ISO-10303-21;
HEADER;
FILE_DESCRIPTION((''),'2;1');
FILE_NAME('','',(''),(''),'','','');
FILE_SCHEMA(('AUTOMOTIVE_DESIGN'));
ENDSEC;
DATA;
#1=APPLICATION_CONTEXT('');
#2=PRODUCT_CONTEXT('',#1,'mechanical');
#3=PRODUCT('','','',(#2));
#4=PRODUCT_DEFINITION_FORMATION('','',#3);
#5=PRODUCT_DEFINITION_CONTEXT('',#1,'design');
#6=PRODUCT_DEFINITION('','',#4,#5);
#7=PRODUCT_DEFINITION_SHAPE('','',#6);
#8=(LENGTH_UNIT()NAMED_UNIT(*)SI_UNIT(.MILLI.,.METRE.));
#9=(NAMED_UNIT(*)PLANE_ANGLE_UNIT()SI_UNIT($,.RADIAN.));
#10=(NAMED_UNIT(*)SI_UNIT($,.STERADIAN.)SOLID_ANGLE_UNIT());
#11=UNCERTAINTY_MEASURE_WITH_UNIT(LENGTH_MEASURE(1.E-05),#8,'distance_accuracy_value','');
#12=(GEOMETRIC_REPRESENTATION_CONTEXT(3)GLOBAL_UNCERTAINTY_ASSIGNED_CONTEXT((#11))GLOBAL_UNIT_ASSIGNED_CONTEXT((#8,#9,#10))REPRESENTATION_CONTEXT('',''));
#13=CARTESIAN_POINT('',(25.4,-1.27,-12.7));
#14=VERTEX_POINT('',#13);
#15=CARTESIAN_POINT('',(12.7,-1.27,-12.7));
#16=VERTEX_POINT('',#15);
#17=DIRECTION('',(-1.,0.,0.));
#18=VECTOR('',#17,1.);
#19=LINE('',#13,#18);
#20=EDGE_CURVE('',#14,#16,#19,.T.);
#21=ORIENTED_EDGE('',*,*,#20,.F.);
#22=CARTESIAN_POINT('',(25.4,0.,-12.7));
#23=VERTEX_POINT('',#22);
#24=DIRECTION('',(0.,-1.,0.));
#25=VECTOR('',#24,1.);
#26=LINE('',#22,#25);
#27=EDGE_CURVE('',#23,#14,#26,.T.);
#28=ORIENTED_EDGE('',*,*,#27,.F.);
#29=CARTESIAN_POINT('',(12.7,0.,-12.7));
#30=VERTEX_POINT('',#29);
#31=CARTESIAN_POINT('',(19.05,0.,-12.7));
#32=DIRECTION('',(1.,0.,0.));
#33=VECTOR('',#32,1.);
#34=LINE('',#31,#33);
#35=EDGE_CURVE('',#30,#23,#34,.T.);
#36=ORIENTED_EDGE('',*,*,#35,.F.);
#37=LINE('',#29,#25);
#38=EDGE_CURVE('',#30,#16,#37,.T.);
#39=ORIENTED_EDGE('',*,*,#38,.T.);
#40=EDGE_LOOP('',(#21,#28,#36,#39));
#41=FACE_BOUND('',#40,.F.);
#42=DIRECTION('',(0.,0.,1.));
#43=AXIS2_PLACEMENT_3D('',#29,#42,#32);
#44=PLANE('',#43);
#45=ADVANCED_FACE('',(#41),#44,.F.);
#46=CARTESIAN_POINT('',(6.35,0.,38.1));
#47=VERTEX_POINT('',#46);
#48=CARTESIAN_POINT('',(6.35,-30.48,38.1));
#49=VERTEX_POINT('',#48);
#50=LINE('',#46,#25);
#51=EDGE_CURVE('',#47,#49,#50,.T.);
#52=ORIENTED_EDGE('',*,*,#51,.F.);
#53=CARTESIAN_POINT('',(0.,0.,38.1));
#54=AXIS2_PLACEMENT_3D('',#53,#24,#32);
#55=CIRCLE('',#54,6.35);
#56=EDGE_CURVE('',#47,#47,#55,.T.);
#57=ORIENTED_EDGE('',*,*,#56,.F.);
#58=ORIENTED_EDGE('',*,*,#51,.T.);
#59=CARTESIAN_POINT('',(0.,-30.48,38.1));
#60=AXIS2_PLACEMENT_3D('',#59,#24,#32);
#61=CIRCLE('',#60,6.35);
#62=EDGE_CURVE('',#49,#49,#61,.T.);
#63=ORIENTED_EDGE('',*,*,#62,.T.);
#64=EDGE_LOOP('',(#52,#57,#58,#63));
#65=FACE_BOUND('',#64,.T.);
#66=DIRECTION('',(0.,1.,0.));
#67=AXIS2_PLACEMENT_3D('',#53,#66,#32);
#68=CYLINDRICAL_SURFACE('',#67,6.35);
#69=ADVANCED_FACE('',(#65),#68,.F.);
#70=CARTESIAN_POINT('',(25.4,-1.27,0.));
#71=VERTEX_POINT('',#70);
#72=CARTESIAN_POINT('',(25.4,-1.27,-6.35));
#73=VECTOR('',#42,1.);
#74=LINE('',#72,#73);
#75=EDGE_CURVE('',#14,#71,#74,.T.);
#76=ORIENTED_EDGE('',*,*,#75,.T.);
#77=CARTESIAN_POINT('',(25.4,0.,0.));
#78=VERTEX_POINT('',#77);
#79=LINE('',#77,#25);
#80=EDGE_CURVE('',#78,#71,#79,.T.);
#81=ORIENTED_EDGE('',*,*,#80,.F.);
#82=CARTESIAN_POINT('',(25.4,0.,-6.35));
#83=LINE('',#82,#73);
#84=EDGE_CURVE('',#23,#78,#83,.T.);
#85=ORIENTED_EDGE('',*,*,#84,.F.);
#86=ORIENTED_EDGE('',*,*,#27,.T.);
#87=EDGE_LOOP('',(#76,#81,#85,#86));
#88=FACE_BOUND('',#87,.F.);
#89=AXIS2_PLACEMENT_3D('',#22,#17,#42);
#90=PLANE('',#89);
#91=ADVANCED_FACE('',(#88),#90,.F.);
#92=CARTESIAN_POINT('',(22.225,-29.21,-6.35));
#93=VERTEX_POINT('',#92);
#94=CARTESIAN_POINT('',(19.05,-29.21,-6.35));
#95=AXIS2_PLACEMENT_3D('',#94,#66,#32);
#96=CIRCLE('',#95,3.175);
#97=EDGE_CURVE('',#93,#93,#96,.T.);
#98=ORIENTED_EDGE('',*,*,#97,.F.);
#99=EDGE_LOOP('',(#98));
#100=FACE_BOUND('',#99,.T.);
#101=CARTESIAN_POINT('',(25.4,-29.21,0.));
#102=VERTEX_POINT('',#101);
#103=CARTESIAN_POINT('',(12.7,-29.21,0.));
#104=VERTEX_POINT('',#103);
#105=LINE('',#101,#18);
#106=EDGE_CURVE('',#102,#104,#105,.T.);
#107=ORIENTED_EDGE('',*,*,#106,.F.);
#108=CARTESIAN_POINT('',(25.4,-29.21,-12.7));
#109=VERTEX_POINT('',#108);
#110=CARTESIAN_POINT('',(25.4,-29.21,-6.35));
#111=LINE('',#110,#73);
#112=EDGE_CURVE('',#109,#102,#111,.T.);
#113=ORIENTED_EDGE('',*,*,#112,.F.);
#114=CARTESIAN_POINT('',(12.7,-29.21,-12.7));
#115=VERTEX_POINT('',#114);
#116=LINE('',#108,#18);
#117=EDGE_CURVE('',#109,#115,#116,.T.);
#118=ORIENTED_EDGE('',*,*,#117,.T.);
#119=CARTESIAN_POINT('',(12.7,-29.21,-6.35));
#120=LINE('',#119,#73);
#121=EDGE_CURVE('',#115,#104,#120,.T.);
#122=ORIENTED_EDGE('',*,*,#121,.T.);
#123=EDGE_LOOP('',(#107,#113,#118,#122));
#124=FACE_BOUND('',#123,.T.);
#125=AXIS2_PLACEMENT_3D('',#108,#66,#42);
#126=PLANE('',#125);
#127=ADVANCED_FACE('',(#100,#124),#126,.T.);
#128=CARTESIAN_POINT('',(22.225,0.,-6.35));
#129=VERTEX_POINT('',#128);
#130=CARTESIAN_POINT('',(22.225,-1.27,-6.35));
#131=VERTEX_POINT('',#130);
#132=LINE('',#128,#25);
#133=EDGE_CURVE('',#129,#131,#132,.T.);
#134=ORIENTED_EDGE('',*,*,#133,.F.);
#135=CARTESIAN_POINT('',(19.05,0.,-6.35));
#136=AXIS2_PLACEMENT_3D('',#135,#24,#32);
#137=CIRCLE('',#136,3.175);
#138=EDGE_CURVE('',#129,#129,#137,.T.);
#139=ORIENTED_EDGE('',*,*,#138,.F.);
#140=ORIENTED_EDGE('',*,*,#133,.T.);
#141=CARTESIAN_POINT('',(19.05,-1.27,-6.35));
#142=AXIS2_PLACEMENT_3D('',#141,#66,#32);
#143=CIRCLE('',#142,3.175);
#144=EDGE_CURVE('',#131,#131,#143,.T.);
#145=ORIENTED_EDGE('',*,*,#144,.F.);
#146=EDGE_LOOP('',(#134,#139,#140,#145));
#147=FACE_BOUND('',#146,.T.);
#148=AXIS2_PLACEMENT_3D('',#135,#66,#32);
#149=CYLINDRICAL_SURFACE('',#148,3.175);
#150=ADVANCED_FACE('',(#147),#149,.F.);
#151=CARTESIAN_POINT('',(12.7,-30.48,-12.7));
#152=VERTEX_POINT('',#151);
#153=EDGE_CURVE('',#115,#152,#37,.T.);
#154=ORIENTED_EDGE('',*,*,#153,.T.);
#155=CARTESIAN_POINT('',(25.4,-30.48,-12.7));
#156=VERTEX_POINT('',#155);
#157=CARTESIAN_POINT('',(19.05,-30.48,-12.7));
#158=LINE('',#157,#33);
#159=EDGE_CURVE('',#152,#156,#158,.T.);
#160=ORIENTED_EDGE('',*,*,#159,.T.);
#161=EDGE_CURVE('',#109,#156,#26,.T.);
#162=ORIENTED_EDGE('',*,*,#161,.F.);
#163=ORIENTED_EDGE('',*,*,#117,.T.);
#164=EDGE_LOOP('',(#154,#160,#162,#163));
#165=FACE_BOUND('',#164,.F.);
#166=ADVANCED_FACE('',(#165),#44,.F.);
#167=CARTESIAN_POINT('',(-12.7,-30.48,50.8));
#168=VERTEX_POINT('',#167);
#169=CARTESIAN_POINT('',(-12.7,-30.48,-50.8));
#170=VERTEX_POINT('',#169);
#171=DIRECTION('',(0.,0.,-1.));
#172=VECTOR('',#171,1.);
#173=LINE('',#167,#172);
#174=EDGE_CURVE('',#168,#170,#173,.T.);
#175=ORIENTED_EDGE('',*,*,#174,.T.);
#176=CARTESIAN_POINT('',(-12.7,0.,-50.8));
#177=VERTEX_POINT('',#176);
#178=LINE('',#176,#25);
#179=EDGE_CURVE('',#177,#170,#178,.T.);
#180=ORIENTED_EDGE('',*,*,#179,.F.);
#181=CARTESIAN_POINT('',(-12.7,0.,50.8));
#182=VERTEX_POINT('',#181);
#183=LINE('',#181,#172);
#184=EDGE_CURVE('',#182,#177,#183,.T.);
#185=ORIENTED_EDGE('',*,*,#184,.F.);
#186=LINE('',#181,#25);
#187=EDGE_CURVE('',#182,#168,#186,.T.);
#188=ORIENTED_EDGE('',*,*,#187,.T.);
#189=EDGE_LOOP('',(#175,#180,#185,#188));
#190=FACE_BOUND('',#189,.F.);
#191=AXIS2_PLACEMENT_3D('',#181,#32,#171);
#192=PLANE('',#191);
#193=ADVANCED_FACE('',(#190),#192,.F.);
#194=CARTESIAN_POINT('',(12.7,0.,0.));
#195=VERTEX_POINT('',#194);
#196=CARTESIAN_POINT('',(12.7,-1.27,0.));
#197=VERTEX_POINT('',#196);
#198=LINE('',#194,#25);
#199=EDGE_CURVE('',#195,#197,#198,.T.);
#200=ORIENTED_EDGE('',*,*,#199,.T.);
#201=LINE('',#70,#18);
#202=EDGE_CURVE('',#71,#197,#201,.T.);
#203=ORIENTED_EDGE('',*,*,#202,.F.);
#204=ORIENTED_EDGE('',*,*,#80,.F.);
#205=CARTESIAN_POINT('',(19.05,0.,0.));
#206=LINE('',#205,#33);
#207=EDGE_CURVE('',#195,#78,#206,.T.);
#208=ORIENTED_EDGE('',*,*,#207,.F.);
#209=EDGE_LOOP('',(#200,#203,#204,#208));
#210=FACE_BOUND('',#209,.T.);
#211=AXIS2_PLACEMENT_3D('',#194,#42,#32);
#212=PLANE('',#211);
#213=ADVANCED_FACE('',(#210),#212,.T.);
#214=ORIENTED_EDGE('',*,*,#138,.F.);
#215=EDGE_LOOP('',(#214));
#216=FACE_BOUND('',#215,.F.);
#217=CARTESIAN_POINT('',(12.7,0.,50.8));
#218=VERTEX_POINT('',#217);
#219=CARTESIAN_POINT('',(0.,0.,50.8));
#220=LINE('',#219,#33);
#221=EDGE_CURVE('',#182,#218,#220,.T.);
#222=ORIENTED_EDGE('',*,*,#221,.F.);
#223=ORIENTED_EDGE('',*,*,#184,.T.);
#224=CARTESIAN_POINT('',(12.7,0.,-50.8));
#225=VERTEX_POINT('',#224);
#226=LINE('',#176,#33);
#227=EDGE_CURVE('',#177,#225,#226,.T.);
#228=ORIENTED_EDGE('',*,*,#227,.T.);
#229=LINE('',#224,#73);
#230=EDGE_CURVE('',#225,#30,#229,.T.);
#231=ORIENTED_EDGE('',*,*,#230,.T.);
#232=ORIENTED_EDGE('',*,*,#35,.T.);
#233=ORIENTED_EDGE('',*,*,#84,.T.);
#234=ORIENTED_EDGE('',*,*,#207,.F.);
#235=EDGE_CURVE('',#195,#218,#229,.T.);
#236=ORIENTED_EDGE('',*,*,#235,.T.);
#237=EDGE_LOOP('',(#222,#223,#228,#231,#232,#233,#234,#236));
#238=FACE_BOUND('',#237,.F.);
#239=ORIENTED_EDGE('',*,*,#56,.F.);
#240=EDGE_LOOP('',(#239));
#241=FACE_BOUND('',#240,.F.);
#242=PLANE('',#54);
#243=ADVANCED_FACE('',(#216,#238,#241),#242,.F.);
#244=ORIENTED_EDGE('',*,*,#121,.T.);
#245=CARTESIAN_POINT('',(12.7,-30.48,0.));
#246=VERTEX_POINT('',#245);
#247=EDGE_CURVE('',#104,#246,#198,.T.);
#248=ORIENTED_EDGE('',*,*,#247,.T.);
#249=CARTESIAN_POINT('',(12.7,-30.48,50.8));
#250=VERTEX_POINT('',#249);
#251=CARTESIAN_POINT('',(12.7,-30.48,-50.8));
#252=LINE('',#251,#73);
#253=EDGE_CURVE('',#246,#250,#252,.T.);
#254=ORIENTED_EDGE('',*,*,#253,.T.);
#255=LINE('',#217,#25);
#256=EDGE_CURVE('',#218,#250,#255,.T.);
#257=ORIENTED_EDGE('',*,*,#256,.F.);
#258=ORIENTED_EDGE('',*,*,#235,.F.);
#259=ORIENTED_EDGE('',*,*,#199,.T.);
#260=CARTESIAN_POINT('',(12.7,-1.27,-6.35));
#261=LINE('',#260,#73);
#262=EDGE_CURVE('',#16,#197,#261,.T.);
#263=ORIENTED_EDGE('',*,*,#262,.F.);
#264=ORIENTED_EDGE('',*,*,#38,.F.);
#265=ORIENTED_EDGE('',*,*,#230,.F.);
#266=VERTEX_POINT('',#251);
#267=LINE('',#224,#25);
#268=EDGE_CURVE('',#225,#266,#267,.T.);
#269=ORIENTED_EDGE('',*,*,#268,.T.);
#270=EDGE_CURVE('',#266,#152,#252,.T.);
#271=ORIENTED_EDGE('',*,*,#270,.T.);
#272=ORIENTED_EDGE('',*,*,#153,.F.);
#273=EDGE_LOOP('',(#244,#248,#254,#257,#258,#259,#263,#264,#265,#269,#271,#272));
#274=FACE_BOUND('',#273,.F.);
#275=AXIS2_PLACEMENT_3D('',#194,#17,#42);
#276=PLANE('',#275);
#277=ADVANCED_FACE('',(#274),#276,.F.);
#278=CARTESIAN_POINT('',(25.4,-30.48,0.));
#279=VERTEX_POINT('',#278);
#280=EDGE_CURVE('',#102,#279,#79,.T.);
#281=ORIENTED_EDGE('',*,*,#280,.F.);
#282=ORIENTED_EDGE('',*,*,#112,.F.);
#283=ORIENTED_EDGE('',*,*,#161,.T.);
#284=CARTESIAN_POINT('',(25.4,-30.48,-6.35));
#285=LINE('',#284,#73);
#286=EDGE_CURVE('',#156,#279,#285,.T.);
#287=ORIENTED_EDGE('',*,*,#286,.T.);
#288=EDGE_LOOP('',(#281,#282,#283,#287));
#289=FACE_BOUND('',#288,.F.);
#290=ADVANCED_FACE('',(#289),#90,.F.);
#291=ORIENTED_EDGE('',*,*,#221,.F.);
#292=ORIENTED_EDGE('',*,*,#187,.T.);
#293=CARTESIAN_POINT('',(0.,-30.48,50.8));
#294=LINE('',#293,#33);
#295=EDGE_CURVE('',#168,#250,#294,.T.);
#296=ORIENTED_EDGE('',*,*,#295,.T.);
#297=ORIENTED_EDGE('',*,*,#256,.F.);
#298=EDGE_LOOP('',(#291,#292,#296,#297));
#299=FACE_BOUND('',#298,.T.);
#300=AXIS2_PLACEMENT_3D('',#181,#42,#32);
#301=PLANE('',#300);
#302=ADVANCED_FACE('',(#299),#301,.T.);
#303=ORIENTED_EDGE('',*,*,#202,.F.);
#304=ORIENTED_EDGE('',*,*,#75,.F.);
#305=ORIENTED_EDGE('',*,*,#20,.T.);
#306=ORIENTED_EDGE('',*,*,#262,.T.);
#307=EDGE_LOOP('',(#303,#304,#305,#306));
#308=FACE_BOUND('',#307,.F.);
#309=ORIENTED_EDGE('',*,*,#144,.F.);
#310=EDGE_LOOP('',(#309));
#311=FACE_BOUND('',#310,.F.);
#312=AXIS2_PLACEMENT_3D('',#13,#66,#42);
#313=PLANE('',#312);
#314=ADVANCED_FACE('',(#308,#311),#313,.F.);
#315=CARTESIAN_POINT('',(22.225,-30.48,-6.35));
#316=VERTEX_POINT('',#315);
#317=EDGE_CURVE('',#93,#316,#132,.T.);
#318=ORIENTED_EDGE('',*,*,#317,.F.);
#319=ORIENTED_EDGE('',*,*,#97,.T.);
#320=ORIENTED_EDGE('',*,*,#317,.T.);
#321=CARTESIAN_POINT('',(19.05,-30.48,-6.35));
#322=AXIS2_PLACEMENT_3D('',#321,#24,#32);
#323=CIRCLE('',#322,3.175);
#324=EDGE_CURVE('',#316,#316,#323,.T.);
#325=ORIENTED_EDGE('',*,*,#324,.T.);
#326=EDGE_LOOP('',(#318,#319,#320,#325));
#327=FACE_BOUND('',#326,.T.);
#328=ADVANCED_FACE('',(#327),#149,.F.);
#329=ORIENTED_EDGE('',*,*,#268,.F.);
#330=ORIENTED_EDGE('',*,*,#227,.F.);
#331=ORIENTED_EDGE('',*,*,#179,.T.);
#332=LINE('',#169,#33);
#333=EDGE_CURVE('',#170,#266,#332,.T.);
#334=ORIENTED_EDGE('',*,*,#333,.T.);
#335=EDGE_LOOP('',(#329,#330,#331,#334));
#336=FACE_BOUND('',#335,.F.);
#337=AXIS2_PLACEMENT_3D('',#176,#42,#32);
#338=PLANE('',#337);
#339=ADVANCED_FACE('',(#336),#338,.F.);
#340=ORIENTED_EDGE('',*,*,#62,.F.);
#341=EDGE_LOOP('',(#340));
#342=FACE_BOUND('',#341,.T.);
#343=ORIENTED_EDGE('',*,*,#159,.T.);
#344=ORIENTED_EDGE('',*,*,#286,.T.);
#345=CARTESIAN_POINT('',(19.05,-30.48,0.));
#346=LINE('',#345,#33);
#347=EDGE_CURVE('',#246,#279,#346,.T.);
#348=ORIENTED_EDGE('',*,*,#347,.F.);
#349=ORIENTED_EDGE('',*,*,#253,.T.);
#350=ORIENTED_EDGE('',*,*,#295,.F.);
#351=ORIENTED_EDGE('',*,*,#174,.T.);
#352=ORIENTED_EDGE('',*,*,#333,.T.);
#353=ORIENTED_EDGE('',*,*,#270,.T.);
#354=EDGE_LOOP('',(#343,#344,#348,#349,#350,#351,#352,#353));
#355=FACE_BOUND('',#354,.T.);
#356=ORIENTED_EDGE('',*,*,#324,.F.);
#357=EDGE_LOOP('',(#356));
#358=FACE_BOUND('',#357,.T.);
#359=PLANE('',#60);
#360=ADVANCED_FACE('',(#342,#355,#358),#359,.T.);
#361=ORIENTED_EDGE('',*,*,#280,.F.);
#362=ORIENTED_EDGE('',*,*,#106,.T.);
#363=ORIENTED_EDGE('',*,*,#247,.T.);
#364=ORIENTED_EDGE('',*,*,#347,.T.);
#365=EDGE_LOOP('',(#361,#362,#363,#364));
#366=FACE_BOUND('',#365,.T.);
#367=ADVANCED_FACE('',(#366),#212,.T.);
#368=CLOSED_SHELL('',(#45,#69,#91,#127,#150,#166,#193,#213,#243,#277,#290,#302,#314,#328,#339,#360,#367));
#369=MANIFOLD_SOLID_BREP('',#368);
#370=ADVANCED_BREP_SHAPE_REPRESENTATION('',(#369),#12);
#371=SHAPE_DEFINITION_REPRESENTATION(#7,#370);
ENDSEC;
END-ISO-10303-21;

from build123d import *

# Parameters (mm, degrees)
F0_W     = 25.4
F0_H     = 25.4
F0_R     = 6.35
F0_W_2   = 12.7
F0_H_2   = 12.7
F0_R_2   = 3.175
F1_DEPTH = 30.48
F2_W     = 27.94
F2_H     = 12.7
F3_DEPTH = 12.7


with BuildPart() as f1:
    # F0 (on Front) → F1 (new body)
    with BuildSketch(Plane.XZ):
        with Locations((0, 38.1)):
            Rectangle(F0_W, F0_H)
        with Locations((0, 38.1)):
            Circle(F0_R, mode=Mode.SUBTRACT)
        Polygon((12.7, 25.4), (-12.7, 25.4), (-12.7, -50.8), (12.7, -50.8), (12.7, -12.7), (12.7, 0), align=None)
        with Locations((19.05, -6.35)):
            Rectangle(F0_W_2, F0_H_2)
        with Locations((19.05, -6.35)):
            Circle(F0_R_2, mode=Mode.SUBTRACT)
    extrude(amount=F1_DEPTH)

    # F2 (on face) → F3 (cut)
    with BuildSketch(Plane.YZ.offset(25.4)):
        with Locations((-15.24, -6.35)):
            Rectangle(F2_W, F2_H)
    extrude(amount=-F3_DEPTH, mode=Mode.SUBTRACT)


solid = f1.part
